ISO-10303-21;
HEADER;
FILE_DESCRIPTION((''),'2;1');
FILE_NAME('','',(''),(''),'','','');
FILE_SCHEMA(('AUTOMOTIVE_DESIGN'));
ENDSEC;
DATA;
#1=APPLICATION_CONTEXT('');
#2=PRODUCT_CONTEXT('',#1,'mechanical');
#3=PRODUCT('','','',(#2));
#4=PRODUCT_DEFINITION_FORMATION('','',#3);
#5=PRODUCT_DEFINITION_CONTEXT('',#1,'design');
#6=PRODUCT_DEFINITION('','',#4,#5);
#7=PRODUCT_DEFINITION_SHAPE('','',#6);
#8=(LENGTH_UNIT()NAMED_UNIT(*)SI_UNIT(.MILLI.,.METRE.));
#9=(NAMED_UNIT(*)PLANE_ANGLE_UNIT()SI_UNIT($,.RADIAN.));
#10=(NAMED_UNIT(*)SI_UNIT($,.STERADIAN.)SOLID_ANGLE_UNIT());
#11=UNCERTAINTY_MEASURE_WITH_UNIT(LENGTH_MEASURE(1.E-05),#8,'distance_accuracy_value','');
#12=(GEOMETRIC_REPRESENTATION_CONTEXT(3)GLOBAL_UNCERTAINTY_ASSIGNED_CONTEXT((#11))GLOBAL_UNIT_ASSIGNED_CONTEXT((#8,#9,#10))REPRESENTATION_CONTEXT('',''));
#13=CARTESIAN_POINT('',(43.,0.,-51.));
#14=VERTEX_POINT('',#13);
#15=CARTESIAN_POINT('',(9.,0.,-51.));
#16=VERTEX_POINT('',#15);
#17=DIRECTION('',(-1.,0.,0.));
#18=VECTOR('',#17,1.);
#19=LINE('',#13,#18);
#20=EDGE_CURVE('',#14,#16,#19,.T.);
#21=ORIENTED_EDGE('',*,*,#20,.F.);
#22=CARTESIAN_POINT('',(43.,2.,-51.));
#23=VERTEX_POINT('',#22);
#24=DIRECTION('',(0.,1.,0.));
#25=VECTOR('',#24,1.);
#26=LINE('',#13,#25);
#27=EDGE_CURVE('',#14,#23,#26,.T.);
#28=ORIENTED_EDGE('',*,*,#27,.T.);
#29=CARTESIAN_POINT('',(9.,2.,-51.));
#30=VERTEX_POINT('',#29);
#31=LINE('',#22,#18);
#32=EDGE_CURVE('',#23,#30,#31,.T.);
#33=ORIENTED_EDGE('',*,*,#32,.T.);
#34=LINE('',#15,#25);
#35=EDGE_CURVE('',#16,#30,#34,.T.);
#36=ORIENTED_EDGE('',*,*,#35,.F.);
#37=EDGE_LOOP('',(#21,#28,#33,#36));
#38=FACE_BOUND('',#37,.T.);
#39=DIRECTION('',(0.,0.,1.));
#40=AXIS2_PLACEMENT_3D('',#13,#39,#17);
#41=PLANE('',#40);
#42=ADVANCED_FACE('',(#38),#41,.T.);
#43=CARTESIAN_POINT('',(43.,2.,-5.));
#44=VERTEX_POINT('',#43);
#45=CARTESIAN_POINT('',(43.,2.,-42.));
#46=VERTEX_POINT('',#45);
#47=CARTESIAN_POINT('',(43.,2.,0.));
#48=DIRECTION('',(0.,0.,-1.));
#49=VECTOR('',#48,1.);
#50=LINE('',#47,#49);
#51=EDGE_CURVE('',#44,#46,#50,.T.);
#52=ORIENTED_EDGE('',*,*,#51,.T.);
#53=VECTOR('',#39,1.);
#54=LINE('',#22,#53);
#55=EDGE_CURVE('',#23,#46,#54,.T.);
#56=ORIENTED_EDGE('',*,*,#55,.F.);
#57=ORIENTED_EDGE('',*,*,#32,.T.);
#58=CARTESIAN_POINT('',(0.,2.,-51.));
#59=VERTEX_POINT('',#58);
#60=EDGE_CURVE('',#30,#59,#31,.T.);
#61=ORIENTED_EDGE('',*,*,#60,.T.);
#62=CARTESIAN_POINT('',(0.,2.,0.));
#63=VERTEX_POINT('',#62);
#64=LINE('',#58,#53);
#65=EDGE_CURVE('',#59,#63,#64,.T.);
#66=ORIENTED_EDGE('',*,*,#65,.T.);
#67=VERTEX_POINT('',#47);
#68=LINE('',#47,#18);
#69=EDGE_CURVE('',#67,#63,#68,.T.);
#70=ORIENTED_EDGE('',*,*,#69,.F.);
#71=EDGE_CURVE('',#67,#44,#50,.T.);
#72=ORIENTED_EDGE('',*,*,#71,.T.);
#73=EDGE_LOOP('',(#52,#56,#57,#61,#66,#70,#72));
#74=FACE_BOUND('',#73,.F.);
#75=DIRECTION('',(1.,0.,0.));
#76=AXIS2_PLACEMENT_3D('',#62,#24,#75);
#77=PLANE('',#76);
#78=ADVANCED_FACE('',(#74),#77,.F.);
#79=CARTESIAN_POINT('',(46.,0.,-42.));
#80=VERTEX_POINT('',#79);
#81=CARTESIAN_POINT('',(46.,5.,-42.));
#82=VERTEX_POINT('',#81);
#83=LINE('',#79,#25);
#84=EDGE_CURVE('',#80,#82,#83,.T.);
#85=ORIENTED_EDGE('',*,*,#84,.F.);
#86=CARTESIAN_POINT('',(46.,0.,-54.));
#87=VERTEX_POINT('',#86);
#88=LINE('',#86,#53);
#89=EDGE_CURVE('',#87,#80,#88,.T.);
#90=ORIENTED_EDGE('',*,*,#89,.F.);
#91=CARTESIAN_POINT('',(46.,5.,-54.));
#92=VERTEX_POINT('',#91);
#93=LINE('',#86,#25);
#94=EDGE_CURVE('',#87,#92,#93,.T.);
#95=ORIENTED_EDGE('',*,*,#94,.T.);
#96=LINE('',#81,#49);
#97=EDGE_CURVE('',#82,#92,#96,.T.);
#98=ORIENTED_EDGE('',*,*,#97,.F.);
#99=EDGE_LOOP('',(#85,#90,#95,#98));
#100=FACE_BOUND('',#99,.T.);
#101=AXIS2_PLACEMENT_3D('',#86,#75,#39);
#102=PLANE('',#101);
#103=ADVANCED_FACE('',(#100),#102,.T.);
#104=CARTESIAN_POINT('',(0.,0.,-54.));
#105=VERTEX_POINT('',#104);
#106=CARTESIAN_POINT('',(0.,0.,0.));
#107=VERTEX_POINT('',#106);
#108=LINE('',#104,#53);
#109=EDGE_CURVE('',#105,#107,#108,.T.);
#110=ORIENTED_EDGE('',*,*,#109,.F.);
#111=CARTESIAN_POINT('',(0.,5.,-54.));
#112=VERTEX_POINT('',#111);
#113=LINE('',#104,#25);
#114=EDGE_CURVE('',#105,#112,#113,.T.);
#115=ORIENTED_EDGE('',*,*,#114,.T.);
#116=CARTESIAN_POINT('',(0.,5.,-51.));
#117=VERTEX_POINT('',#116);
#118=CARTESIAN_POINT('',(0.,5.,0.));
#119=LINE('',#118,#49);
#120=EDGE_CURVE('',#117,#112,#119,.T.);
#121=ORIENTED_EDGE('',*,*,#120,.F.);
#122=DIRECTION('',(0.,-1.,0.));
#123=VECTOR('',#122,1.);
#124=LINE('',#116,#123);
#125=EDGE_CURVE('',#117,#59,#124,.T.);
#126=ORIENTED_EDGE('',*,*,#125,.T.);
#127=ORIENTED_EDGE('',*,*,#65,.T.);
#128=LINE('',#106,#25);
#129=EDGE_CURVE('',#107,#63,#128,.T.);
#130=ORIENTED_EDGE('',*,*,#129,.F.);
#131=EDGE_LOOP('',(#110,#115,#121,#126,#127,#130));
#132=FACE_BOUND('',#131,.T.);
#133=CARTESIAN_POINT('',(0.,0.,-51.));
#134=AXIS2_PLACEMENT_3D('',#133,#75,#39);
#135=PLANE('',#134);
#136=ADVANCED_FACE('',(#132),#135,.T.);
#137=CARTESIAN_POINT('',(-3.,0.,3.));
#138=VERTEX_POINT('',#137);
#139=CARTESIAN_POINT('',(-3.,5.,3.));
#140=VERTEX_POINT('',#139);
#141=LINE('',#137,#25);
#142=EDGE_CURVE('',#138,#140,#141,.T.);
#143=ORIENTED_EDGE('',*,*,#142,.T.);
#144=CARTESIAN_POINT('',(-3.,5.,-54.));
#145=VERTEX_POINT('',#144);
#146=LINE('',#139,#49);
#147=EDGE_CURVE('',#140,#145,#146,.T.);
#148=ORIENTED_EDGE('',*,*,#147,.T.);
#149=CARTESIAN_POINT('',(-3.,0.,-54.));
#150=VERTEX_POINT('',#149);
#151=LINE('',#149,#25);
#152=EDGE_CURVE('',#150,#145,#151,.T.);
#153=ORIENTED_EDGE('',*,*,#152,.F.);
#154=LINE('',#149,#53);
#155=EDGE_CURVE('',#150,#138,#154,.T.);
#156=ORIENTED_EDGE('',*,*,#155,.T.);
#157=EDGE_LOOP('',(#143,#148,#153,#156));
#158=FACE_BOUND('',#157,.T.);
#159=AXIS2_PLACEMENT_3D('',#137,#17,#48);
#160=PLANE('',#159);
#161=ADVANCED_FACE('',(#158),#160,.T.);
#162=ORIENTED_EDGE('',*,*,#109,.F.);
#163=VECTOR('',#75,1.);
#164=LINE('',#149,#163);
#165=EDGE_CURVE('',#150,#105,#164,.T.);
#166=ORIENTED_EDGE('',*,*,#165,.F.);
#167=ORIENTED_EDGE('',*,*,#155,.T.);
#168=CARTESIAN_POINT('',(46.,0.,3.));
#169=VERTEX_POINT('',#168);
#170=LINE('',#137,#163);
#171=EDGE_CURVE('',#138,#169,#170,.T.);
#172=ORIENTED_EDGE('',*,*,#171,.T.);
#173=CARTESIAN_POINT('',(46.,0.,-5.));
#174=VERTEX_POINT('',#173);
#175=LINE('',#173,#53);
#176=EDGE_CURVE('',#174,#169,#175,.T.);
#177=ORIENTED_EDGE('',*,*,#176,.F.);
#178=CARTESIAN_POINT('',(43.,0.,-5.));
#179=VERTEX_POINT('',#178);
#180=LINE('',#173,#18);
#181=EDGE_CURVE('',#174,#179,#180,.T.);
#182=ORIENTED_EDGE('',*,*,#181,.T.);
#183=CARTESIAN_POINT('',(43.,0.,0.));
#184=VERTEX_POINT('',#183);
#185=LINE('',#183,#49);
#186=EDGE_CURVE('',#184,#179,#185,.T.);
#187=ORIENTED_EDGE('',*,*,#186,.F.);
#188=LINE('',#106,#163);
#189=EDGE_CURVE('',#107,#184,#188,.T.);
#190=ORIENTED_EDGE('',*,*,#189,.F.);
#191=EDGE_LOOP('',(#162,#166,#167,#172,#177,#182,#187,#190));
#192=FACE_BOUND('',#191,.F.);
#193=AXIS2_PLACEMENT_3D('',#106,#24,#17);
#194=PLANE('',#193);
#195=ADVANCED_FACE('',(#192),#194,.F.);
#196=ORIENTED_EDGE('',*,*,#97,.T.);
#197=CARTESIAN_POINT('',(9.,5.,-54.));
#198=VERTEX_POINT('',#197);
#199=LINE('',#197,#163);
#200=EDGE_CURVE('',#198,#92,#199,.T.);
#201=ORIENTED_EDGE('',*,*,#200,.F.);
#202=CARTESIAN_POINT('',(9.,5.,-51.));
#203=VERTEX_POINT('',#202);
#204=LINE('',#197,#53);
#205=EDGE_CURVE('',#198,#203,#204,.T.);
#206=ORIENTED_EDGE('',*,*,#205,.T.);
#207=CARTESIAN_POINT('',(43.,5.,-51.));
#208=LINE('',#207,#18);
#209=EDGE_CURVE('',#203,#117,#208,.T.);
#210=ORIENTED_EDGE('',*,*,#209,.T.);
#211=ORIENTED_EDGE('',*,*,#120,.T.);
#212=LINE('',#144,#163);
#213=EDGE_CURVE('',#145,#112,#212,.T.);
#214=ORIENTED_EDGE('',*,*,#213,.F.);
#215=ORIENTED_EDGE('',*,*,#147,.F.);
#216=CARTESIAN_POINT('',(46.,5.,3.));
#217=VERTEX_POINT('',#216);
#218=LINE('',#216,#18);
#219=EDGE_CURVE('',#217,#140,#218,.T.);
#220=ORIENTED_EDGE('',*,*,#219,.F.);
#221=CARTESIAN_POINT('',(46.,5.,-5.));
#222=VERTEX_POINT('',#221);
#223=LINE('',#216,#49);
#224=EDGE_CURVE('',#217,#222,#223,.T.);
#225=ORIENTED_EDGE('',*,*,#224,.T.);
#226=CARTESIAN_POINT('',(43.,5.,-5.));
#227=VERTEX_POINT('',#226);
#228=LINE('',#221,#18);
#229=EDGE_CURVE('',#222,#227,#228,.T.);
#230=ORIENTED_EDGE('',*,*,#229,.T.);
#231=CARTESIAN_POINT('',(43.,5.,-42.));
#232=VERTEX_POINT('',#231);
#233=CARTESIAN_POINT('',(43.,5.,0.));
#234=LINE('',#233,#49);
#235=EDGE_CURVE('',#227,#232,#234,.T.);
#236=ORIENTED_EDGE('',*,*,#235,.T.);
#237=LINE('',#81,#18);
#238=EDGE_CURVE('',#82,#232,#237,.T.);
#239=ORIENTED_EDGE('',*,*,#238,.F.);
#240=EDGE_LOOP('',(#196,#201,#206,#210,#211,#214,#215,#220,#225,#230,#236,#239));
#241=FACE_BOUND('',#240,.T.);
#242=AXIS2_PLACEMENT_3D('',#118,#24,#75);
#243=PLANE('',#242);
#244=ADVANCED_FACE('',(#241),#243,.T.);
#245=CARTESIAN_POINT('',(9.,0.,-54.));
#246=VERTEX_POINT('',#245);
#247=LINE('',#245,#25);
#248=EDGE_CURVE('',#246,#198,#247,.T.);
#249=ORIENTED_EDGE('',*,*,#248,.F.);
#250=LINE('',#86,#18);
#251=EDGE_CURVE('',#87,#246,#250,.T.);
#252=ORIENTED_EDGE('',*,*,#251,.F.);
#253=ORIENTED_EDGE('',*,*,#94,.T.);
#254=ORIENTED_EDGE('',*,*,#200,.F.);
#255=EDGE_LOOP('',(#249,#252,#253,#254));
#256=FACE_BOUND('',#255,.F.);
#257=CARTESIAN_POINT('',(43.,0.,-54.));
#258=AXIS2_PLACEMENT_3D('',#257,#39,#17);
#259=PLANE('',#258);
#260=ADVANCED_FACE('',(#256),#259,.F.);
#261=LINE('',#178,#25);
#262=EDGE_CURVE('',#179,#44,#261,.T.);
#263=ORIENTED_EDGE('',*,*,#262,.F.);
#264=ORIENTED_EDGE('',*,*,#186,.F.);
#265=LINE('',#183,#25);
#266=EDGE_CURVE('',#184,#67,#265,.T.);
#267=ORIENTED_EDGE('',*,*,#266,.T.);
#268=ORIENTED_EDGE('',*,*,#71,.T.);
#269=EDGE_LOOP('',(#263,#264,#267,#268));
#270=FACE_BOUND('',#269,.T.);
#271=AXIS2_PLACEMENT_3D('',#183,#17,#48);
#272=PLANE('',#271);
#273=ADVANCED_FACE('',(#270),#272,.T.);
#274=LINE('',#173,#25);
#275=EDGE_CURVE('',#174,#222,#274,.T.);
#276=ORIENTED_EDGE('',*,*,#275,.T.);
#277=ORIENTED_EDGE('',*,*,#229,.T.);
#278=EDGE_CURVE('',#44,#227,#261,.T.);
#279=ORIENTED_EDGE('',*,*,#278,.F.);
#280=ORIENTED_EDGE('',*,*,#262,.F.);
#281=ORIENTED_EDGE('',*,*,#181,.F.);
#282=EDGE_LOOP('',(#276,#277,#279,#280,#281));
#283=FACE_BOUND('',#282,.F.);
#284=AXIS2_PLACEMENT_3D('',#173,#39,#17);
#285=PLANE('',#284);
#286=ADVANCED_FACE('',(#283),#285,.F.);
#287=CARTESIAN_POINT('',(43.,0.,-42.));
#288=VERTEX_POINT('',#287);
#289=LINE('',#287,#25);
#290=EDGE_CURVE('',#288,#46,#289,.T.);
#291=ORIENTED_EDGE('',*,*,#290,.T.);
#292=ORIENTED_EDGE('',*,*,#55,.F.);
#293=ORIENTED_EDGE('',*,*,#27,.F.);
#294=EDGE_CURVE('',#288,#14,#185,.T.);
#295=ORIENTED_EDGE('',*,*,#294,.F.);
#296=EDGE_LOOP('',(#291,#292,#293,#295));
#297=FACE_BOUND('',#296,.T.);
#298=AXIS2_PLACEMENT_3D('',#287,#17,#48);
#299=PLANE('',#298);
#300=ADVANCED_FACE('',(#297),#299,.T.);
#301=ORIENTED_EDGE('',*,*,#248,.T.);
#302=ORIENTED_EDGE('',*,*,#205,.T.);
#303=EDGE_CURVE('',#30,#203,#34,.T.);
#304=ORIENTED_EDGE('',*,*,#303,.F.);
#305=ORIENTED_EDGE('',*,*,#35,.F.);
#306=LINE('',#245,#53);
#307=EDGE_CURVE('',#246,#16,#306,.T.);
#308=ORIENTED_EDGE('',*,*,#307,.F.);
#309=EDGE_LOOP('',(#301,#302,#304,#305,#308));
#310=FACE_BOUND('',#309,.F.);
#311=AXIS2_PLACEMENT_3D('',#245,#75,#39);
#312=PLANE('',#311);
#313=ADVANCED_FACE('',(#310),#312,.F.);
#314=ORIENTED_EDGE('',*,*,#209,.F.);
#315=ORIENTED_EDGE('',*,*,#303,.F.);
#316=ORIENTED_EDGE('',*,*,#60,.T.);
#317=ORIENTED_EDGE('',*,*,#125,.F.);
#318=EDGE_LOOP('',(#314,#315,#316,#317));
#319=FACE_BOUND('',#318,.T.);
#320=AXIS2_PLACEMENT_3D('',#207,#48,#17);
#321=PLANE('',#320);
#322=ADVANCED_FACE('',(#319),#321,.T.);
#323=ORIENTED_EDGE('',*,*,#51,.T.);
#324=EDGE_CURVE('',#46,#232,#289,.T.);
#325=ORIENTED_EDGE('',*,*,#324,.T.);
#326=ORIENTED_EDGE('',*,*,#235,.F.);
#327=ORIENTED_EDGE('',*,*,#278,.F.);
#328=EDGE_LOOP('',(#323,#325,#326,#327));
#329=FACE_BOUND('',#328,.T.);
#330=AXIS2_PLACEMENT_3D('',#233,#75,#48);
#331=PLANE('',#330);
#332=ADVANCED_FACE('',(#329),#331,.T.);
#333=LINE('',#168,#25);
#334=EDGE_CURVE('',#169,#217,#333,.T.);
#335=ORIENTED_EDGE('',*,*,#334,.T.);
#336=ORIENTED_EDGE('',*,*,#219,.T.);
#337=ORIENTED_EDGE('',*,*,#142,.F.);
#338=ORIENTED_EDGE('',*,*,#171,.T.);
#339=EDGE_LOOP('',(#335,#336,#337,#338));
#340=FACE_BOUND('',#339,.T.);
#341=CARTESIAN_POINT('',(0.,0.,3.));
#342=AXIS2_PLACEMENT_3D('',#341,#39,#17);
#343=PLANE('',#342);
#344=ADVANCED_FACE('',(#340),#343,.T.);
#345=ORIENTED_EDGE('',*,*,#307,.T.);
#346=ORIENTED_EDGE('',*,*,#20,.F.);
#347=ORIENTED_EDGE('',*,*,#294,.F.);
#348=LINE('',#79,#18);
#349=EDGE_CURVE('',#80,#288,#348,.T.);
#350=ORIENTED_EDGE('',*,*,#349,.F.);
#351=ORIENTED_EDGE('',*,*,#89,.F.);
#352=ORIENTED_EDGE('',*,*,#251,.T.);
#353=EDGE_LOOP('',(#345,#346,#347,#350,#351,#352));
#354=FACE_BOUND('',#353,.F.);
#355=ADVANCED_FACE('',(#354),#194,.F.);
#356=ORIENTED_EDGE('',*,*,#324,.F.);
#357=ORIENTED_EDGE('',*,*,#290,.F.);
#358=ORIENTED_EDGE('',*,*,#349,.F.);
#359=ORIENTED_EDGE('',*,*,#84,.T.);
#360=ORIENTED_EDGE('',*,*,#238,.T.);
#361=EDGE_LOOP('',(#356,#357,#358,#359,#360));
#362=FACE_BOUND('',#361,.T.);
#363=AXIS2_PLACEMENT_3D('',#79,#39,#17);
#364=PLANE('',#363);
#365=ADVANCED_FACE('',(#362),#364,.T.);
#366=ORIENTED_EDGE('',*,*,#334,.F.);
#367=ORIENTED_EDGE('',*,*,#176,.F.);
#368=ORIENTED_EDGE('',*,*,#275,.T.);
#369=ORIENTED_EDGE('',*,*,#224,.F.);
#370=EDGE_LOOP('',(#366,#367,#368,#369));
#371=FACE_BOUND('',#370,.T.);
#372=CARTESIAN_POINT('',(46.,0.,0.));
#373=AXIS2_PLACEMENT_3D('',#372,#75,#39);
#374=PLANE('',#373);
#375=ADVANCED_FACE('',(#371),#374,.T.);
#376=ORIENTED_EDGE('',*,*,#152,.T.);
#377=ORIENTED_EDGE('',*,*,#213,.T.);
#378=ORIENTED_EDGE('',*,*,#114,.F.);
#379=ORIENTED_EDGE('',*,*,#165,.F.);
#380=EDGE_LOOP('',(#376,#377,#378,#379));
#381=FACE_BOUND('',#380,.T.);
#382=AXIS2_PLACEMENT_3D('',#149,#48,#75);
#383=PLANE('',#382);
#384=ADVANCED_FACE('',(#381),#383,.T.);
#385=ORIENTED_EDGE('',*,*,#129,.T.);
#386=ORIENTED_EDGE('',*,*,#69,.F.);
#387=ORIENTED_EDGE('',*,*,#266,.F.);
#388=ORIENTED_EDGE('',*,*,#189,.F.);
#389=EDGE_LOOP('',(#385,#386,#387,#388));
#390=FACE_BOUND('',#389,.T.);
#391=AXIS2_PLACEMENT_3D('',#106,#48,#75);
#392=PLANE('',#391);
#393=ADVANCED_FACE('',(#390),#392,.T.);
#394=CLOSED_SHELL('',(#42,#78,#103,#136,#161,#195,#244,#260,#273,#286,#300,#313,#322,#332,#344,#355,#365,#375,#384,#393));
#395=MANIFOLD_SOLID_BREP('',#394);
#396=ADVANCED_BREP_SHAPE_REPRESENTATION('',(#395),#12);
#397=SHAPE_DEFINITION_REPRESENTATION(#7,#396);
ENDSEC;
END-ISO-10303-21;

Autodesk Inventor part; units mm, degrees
ref_plane "YZ Plane" through (0, 0, 0) normal (1, 0, 0) x (0, 1, 0)
ref_plane "XZ Plane" through (0, 0, 0) normal (0, 1, 0) x (-1, 0, 0)
ref_plane "XY Plane" through (0, 0, 0) normal (0, 0, 1) x (1, 0, 0)
sketch "Sketch1" plane through (0, 0, 0) normal (0, 1, 0) x (-1, 0, 0)
  line L0 (0, 0) -> (-43, 0)
  line L1 (-43, 0) -> (-43, -51)
  line L2 (-43, -51) -> (0, -51)
  line L3 (0, -51) -> (0, 0)
  line L4 (-43, -51) -> (-46, -51)
  line L5 (-46, -51) -> (-46, -42)
  line L6 (-46, -42) -> (-43, -42)
  line L7 (-43, 0) -> (-46, 0)
  line L8 (-46, 0) -> (-46, -5)
  line L9 (-46, -5) -> (-43, -5)
  line L10 (-43, 0) -> (-46, 0)
  line L11 (-46, 0) -> (-46, 3)
  line L12 (-46, 3) -> (0, 3)
  line L13 (0, 3) -> (0, 0)
  line L14 (0, 3) -> (3, 3)
  line L15 (3, 3) -> (3, -51)
  line L16 (3, -51) -> (0, -51)
  line L17 (3, -51) -> (3, -54)
  line L18 (3, -54) -> (0, -54)
  line L19 (0, -54) -> (0, -51)
  line L20 (-43, -51) -> (-43, -54)
  line L21 (-43, -54) -> (-9, -54)
  line L22 (-9, -54) -> (-9, -51)
  line L23 (-43, -54) -> (-46, -54)
  line L24 (-46, -54) -> (-46, -51)
  dimension "d0" = 43
  dimension "d1" = 51
  dimension "d2" = 3
  dimension "d3" = 9
  dimension "d4" = 3
  dimension "d5" = 5
  dimension "d6" = 3
  dimension "d7" = 3
  dimension "d8" = 3
  dimension "d9" = 3
  dimension "d10" = 3
  dimension "d11" = 34
sketch "Sketch2" plane through (0, 0, 0) normal (0, 1, 0) x (-1, 0, 0)
  point P0 (0, 0)
extrude "Extrusion1" add sketch "Sketch1" along normal blind 5 contours L13 L14 L15 L16 L3 | L0 L7 L11 L12 L13 | L1 L9 L8 L7 | L16 L17 L18 L19 | L22 L21 L20 L2 | L1 L4 L5 L6 | L20 L23 L24 L4
sketch "Sketch3" plane through (0, 5, 0) normal (0, 1, 0) x (1, 0, 0)
  line L0 (43, 0) -> (0, 0) projected
  line L1 (43, 51) -> (43, 42) projected
  line L2 (0, 0) -> (43, 0)
  line L3 (43, 0) -> (43, 51)
  line L4 (43, 51) -> (0, 51)
  line L5 (0, 51) -> (0, 0)
extrude "Extrusion2" add sketch "Sketch3" against normal blind 3
sketch "Sketch4" plane through (0, 5, 0) normal (0, 1, 0) x (1, 0, 0)
  point P0 (0, 0)
equation "\"BendRadius\" = Thickness"
equation "\"BendReliefWidth\" = Thickness"
equation "\"BendReliefDepth\" = 0.5 * Thickness"
equation "\"CornerReliefSize\" = 4 * Thickness"
equation "\"MinimumRemnant\" = 2 * Thickness"
equation "\"TransitionRadius\" = BendRadius"
equation "\"JacobiRadiusSize\" = BendRadius"
equation "\"GapSize\" = Thickness"
equation "\"Thickness\" = 0.5"
